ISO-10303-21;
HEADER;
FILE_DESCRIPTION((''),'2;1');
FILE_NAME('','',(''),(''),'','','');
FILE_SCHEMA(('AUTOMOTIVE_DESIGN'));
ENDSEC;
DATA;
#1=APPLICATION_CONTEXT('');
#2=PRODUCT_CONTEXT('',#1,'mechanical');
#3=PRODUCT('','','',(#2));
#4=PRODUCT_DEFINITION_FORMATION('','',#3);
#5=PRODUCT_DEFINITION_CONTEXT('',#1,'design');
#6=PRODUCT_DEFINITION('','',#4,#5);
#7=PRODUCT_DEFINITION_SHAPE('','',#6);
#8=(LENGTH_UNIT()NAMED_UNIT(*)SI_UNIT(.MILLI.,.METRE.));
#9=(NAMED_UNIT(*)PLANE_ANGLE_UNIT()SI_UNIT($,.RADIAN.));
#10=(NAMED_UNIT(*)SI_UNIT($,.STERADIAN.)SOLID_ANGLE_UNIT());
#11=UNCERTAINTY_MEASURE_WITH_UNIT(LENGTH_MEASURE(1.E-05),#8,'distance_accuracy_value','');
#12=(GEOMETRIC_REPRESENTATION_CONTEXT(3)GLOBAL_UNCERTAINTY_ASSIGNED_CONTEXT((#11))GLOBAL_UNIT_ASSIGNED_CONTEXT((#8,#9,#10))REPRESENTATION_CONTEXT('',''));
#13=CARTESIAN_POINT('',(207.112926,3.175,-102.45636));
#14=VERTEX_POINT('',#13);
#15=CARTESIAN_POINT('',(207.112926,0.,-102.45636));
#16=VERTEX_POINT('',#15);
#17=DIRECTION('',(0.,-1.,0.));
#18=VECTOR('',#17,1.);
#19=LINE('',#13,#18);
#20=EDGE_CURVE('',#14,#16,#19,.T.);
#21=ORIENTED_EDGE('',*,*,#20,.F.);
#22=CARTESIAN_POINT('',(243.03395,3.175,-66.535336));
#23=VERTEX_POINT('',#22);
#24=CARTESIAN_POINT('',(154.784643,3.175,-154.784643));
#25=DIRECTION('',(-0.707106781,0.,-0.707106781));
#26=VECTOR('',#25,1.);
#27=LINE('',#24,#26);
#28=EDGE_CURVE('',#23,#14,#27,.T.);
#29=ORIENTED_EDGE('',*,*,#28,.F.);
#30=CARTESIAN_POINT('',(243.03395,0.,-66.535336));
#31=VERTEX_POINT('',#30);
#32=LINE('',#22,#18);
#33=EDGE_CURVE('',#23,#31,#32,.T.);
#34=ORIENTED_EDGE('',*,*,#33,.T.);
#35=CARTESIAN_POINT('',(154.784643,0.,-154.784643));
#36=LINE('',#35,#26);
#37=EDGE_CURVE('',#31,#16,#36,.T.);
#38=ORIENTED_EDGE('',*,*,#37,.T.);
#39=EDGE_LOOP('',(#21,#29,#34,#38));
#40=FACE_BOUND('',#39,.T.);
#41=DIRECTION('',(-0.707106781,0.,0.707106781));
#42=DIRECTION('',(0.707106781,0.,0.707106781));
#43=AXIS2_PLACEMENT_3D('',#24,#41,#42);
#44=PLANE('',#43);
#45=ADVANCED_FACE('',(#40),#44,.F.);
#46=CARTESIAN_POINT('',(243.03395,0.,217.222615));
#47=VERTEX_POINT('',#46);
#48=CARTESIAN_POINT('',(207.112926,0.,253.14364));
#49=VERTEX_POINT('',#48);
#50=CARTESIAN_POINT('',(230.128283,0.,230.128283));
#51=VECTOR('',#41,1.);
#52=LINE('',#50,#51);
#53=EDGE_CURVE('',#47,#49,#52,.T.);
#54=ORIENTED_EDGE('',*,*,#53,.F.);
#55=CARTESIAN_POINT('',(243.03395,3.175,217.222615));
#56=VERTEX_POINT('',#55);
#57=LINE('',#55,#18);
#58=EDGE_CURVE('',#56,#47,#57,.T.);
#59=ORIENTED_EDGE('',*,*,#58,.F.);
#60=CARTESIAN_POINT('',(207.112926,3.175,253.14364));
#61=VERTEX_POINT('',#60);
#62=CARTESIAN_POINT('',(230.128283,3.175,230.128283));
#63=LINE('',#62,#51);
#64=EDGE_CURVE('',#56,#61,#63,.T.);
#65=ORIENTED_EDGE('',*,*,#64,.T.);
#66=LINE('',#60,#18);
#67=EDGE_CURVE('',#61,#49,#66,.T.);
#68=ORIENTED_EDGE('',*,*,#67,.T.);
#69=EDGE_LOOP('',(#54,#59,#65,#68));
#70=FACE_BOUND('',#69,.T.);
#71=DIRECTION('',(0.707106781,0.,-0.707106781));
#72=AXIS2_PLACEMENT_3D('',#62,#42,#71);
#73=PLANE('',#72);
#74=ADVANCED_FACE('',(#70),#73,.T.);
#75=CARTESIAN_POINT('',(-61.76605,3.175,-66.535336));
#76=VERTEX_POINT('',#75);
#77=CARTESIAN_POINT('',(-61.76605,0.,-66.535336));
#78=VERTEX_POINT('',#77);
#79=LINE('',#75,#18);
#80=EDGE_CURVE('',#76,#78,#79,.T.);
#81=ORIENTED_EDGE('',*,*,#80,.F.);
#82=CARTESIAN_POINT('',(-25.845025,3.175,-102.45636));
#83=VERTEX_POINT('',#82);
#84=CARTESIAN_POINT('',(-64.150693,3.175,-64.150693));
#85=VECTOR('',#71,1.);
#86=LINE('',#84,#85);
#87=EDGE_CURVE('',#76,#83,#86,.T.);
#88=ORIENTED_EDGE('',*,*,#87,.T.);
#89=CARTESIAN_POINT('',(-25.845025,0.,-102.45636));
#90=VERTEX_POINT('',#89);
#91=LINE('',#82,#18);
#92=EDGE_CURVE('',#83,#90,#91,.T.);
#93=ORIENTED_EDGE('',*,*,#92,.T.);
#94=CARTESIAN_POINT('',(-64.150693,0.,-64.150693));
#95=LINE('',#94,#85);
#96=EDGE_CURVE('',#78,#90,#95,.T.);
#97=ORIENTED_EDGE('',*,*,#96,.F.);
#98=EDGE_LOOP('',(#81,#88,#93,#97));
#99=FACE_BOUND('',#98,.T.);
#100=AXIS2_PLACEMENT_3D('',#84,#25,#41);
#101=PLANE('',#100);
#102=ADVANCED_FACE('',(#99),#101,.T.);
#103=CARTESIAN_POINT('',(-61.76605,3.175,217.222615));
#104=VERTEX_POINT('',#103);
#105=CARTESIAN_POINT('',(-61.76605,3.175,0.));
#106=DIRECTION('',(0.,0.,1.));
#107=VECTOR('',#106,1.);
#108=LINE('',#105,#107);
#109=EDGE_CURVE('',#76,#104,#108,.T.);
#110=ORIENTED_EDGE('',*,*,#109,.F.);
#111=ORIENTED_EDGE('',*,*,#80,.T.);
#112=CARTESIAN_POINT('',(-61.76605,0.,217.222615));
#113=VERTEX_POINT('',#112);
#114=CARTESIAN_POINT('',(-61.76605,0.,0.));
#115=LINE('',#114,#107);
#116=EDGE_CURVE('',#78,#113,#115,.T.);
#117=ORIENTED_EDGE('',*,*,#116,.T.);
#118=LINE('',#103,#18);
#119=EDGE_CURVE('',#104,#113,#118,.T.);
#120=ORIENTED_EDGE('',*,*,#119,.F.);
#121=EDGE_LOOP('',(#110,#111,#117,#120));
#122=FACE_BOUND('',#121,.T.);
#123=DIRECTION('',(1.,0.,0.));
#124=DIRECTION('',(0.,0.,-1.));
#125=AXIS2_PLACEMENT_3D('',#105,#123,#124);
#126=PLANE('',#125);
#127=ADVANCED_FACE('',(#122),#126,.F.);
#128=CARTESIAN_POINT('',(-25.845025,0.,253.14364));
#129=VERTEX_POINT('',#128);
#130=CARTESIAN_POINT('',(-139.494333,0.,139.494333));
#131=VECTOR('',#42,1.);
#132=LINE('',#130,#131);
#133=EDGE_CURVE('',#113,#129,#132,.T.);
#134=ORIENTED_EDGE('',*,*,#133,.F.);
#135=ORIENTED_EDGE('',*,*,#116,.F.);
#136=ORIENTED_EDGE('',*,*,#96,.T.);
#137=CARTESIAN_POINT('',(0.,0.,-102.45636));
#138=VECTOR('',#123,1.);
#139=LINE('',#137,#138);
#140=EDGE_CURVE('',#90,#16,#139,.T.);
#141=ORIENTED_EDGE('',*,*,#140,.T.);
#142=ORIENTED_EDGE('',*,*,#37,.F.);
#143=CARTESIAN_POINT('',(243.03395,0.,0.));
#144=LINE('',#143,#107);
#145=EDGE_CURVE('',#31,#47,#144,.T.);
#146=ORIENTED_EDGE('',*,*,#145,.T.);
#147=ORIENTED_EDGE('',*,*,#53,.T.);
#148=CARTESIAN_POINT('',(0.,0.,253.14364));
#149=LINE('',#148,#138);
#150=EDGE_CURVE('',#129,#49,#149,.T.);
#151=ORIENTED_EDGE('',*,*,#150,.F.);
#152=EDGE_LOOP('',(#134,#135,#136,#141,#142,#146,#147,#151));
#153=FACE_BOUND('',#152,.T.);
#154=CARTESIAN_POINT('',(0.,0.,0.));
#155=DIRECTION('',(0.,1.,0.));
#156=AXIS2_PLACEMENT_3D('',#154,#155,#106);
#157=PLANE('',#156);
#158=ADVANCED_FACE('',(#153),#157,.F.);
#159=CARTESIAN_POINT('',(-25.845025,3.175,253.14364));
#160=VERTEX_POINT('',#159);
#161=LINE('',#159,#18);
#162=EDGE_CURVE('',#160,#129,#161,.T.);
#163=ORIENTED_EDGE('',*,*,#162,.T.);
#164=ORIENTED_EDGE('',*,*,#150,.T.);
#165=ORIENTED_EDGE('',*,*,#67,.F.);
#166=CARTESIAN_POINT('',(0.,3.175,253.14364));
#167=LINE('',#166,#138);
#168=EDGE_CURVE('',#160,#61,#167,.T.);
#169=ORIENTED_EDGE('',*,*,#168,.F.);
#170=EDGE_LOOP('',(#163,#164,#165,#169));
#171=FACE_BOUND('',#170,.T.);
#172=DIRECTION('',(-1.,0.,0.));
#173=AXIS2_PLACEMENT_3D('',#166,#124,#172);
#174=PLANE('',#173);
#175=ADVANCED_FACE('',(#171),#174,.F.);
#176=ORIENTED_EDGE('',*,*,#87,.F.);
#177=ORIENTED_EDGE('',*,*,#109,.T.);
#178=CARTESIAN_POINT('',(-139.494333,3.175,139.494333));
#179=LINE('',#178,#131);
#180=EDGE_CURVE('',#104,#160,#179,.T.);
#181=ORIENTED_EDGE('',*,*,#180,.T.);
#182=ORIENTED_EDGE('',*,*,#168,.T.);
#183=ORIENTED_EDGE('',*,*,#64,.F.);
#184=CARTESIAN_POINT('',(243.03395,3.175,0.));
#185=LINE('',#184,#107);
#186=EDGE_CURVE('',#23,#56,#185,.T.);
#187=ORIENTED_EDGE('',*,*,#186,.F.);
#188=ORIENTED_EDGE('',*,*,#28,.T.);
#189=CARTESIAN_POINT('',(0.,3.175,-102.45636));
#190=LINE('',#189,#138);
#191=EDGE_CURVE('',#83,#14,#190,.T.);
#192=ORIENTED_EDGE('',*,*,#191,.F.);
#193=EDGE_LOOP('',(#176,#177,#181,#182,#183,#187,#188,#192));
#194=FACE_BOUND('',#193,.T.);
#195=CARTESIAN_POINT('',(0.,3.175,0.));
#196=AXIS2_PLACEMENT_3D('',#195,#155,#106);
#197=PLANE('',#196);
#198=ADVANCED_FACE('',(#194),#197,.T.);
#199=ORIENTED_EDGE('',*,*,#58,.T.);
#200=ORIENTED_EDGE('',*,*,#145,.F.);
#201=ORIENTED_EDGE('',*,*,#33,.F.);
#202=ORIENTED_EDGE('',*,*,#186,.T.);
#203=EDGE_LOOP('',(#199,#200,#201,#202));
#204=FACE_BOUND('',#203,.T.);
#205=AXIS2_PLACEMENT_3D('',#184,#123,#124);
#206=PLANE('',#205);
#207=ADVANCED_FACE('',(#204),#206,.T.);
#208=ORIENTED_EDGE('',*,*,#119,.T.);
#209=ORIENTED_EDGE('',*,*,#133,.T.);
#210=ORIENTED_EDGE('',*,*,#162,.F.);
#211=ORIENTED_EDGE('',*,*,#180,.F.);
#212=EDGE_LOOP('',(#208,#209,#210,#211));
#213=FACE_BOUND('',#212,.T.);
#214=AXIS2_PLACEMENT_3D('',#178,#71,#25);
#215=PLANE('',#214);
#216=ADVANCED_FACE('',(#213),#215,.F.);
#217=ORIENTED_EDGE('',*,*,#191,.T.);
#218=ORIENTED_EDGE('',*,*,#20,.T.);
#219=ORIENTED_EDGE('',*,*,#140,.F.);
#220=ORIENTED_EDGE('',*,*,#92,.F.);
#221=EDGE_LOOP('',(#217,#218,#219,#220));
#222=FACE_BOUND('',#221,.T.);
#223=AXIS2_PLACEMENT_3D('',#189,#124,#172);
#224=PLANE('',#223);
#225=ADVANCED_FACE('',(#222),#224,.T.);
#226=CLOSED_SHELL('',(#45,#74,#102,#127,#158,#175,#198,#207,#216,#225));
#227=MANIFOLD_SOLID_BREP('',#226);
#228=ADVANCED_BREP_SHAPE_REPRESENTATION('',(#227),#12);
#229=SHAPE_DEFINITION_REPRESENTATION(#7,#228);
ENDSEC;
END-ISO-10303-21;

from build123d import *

# Parameters (mm, degrees)
BOSS_EXTRUDE1_DEPTH = 3.175


with BuildPart() as part:
    # Sketch1 → Boss-Extrude1 (new body)
    with BuildSketch(Plane(origin=(0, 0, 0), x_dir=(1, 0, 0), z_dir=(0, 1, 0))):
        Polygon((-25.845025354, 102.456360067), (-61.766049839, 66.535335583), (-61.766049839, -217.222615449), (-25.845025354, -253.143639933), (207.112925677, -253.143639933), (243.033950161, -217.222615449), (243.033950161, 66.535335583), (207.112925677, 102.456360067), align=None)
    extrude(amount=BOSS_EXTRUDE1_DEPTH)


solid = part.part
